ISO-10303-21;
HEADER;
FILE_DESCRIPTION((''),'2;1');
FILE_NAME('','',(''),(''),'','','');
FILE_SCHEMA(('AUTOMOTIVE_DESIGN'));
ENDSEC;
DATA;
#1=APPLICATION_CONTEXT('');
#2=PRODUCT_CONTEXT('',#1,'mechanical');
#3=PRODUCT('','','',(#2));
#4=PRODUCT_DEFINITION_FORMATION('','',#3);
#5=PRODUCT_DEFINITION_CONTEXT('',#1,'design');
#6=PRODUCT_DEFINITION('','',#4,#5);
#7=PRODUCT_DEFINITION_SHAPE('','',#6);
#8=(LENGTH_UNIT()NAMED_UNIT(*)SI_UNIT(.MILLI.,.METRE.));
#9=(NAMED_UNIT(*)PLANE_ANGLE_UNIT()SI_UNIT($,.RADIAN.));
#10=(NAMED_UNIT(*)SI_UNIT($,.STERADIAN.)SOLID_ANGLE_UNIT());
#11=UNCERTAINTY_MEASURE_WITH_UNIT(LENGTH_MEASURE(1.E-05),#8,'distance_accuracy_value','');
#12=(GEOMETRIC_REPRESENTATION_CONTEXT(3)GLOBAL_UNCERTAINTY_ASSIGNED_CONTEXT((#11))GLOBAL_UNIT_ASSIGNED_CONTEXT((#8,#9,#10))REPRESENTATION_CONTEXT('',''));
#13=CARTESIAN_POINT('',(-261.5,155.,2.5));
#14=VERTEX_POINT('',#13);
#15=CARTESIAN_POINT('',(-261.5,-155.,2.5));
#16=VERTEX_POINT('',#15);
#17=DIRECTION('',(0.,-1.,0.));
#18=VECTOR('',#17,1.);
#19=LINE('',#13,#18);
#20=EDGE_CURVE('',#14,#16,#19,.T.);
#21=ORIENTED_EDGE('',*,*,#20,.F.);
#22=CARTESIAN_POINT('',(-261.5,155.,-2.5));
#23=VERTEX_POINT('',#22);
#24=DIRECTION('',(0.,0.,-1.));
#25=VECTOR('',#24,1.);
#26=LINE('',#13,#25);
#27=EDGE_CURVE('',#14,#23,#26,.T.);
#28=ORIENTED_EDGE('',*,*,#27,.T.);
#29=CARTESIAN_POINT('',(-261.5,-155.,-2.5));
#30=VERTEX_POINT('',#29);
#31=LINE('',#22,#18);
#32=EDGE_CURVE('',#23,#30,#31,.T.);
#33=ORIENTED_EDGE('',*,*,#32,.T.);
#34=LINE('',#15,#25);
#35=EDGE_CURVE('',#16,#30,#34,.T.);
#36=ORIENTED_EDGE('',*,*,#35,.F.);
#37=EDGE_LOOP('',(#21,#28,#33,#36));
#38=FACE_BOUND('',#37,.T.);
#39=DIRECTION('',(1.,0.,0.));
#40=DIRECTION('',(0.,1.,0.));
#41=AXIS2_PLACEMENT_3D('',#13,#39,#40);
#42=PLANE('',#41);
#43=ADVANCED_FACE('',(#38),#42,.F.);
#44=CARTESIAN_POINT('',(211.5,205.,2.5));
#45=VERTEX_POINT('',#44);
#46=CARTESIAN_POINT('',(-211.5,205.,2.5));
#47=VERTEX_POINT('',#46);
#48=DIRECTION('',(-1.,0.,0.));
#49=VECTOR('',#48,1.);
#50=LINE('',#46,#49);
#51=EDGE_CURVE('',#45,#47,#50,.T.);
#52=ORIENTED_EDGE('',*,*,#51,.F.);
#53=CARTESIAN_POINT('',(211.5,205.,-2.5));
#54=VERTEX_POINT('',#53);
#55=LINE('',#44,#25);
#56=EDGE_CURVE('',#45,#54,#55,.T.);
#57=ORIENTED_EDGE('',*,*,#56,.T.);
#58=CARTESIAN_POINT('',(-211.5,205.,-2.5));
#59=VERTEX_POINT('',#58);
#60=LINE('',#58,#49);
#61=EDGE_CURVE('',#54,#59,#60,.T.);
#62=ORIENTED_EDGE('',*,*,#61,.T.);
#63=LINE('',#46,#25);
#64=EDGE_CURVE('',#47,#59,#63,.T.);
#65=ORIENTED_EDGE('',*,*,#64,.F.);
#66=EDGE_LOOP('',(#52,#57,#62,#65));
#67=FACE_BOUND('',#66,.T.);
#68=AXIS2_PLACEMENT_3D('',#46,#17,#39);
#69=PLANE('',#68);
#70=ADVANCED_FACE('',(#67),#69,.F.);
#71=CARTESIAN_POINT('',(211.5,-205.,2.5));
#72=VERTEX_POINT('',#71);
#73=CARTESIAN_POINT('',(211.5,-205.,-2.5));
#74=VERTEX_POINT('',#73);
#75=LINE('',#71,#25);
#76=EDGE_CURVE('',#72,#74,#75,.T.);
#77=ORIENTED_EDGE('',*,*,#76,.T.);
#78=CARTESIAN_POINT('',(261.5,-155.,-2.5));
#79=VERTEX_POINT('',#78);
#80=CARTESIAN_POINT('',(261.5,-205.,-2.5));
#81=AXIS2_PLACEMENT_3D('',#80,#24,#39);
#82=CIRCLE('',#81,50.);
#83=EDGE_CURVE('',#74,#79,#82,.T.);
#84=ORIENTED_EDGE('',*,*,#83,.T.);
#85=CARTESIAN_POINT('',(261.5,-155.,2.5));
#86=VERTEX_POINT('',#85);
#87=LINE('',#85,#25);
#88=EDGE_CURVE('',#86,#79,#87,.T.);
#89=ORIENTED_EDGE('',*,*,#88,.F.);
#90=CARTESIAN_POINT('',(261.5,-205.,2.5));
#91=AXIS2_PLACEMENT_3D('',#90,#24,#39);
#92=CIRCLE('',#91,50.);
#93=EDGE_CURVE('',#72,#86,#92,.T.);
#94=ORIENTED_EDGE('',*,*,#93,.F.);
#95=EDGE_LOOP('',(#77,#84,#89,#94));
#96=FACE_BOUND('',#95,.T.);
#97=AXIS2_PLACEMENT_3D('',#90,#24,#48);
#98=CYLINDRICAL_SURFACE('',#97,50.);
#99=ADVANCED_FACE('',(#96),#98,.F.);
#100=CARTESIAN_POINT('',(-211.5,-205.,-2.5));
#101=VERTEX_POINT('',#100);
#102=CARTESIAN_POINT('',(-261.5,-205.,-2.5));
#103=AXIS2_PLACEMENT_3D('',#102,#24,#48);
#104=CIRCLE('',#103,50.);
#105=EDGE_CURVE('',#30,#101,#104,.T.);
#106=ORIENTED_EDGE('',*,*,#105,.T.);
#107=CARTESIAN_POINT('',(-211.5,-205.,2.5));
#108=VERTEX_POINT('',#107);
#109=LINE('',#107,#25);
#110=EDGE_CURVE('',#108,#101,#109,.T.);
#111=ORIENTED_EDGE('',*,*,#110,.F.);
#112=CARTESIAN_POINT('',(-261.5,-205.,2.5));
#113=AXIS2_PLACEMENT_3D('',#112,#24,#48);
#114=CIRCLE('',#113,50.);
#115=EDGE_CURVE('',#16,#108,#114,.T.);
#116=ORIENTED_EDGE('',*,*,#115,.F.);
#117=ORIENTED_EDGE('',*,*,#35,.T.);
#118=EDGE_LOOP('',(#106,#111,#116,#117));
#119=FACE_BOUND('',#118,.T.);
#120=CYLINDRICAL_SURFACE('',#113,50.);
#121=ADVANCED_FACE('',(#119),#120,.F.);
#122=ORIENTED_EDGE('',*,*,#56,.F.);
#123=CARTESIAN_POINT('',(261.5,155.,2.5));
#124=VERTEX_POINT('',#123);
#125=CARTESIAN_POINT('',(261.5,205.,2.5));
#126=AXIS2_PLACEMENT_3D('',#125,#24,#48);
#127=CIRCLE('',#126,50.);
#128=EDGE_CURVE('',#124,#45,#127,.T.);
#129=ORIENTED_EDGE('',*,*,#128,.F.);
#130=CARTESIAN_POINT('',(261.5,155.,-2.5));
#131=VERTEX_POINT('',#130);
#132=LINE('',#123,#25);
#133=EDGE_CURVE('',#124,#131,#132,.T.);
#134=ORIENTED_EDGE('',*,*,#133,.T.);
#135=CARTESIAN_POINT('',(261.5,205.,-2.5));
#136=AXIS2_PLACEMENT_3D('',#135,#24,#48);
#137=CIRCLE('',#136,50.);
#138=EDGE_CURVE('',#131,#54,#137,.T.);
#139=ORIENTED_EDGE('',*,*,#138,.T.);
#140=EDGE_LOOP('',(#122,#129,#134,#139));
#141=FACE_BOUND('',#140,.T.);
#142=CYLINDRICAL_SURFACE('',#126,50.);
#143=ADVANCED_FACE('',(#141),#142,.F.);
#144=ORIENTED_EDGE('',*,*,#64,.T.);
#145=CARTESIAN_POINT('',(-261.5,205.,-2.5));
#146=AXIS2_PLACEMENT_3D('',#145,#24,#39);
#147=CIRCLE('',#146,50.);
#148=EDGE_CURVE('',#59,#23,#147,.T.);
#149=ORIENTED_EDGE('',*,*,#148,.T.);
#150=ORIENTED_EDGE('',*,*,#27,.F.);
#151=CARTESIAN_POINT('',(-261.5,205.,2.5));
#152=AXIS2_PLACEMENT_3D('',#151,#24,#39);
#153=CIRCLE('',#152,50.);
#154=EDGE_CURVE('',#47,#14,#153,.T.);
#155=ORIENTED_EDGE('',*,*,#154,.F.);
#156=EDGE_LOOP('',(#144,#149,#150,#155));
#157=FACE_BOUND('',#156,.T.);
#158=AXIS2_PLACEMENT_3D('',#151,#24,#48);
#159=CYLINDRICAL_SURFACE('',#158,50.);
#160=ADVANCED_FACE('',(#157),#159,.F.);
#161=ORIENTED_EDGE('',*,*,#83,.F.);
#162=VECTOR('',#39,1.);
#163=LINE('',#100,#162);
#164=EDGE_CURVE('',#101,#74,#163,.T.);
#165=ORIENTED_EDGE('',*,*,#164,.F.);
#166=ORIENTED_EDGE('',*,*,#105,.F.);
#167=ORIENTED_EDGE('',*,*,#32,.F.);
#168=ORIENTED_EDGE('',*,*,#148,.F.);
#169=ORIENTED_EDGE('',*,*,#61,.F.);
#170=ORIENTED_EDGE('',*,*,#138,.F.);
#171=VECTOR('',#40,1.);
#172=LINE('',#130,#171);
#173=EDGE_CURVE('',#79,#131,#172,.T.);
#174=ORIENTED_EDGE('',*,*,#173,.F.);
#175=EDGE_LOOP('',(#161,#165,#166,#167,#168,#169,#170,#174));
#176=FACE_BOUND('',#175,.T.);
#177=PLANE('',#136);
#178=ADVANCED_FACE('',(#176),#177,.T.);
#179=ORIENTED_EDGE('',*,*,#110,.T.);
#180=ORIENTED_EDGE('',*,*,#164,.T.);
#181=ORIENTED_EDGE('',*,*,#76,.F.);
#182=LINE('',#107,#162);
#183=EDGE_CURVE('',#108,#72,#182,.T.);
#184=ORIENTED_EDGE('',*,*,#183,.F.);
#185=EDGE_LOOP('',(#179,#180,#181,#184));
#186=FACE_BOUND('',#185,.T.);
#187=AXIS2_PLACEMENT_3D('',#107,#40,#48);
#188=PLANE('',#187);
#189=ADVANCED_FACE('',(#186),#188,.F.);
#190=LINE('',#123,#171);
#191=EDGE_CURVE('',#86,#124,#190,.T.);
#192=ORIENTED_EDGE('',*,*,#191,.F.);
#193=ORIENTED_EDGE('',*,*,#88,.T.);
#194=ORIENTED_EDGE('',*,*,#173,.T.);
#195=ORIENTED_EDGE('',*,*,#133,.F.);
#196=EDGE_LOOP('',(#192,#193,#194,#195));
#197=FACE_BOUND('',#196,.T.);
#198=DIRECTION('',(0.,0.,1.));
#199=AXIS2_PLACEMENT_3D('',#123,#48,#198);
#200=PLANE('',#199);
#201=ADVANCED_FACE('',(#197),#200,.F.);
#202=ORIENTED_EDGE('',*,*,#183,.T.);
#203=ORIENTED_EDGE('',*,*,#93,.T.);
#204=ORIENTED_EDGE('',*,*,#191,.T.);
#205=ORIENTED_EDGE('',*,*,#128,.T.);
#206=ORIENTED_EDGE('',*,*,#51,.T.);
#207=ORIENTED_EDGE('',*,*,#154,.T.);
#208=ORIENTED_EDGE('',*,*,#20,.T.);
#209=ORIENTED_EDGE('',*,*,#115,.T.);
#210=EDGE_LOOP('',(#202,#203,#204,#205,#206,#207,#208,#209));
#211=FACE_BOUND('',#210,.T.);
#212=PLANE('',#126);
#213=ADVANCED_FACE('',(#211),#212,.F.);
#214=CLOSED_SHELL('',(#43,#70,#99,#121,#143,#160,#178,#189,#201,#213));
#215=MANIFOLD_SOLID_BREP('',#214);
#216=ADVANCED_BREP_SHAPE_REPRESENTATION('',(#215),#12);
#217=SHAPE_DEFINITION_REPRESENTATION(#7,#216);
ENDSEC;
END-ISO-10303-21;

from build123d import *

# Parameters (mm, degrees)
EXTRUDE_1_DEPTH = 2.5


with BuildPart() as part:
    # 草图1 → 凸台-拉伸1 (new, symmetric)
    with BuildSketch(Plane.XY):
        with BuildLine():
            Line((-211.5, 205), (211.5, 205))
            ThreePointArc((211.5, 205), (226.144660941, 169.644660941), (261.5, 155))
            Line((261.5, 155), (261.5, -155))
            ThreePointArc((261.5, -155), (226.144660941, -169.644660941), (211.5, -205))
            Line((211.5, -205), (-211.5, -205))
            ThreePointArc((-211.5, -205), (-226.144660941, -169.644660941), (-261.5, -155))
            Line((-261.5, -155), (-261.5, 155))
            ThreePointArc((-261.5, 155), (-226.144660941, 169.644660941), (-211.5, 205))
        make_face()
    extrude(amount=EXTRUDE_1_DEPTH, both=True)


solid = part.part
